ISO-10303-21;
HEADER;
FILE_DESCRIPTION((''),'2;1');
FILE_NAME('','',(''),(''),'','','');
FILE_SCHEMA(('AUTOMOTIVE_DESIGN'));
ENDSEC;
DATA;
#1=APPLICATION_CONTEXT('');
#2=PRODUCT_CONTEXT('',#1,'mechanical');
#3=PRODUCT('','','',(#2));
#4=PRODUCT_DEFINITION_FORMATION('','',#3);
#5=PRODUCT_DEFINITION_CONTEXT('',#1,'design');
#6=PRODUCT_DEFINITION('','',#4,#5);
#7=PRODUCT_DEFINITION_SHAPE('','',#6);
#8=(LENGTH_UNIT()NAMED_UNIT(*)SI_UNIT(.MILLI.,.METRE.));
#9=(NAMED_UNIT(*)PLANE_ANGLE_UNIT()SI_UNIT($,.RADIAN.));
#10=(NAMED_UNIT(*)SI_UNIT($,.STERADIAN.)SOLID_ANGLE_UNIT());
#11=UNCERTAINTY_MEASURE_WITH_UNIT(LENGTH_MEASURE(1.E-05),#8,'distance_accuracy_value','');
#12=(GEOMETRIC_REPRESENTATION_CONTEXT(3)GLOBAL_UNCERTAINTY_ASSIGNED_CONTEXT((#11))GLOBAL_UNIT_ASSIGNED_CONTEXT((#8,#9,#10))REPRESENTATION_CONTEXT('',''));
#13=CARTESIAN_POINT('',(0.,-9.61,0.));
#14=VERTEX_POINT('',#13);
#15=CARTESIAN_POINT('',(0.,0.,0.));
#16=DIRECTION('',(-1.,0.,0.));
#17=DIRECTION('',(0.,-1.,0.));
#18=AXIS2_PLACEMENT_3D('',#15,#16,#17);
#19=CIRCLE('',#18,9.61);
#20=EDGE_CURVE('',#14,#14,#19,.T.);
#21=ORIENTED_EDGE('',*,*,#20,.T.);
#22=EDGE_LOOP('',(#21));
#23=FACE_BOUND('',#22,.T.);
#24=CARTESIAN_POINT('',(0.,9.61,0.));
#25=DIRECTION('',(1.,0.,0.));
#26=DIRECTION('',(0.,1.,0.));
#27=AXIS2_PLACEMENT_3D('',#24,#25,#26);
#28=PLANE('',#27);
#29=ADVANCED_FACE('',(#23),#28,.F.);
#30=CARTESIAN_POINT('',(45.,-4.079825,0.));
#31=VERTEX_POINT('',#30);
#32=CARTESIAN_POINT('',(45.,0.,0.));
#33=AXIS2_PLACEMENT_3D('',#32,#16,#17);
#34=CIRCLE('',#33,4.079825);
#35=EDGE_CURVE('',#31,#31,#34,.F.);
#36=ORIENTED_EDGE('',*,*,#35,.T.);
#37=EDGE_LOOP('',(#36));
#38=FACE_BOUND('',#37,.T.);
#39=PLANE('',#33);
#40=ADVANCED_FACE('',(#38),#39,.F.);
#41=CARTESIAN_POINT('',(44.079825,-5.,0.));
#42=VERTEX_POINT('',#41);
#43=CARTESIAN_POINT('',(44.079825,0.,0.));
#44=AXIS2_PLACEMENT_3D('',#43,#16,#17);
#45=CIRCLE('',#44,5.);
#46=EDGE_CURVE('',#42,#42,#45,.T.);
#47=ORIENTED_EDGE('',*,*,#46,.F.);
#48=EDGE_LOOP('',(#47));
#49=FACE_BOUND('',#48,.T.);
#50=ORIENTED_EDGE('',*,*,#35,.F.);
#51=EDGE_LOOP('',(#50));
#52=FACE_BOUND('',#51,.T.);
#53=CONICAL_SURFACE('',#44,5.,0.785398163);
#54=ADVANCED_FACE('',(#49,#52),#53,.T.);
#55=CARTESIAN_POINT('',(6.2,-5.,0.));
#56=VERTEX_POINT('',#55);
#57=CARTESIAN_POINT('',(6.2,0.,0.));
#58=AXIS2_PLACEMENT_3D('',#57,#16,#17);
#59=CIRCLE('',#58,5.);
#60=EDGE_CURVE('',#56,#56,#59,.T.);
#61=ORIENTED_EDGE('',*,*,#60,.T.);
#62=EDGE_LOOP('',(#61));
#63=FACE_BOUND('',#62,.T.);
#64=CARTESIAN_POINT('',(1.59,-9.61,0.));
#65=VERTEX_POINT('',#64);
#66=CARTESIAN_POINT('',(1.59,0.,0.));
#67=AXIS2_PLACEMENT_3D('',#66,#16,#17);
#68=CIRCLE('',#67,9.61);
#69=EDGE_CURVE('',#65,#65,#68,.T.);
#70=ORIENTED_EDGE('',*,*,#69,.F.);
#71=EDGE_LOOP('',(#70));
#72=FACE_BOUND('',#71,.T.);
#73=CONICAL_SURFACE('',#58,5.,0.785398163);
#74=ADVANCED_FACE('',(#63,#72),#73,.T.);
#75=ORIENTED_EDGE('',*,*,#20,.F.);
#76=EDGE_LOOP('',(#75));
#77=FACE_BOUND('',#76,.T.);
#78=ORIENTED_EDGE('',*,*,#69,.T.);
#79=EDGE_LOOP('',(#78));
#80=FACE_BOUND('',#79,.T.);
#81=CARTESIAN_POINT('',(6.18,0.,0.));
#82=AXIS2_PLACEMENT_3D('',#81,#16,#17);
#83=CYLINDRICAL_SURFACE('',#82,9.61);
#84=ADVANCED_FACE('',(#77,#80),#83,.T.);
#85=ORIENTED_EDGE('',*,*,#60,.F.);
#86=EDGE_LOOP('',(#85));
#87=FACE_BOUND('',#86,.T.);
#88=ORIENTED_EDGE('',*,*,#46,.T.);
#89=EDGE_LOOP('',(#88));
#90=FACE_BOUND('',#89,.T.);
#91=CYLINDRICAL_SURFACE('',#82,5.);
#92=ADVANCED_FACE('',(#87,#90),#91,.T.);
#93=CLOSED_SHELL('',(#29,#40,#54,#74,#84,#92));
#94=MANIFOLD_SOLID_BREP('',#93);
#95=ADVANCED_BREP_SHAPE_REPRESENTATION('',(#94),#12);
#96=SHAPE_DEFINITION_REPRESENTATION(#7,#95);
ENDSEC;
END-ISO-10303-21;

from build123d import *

# Parameters (mm, degrees)
EXTRUDE_462_REACH = 49.007
CHAMFER_1_SIZE    = 0.920175


with BuildPart() as part:
    # 草圖1 → Revolve 332 (revolve)
    with BuildSketch(Plane.XY, mode=Mode.PRIVATE) as revolve_332_sk:
        Polygon((45, 0), (45, 5), (13, 5), (12.079825, 5), (6.2, 5), (1.59, 9.61), (0, 9.61), (0, 3.464101615), (4.18, 3.464101615), (6.18, 0), align=None)
    revolve(revolve_332_sk.sketch.rotate(Axis((6.18, 0, 0), (1, 0, 0)), 180), axis=Axis((6.18, 0, 0), (1, 0, 0)))

    # 草圖2 → Extrude 462 (add, up to next)
    with BuildSketch(Plane.ZY, mode=Mode.PRIVATE) as extrude_462_sk1:
        with BuildLine():
            ThreePointArc((0, 3.464101615), (-2.449489743, -2.449489743), (3.464101615, 0))
            ThreePointArc((3.464101615, 0), (2.449489743, 2.449489743), (0, 3.464101615))
        make_face()
    extrude_462_tool1 = extrude(extrude_462_sk1.sketch, amount=-EXTRUDE_462_REACH, mode=Mode.PRIVATE) - part.part
    add(extrude_462_tool1.solids().sort_by_distance((0, 0, 0))[0])

    # 倒角1
    chamfer_1_edges = [part.edges().sort_by_distance(p)[0] for p in [
        (45, 5, 0),
    ]]
    chamfer(chamfer_1_edges, length=CHAMFER_1_SIZE)


solid = part.part
